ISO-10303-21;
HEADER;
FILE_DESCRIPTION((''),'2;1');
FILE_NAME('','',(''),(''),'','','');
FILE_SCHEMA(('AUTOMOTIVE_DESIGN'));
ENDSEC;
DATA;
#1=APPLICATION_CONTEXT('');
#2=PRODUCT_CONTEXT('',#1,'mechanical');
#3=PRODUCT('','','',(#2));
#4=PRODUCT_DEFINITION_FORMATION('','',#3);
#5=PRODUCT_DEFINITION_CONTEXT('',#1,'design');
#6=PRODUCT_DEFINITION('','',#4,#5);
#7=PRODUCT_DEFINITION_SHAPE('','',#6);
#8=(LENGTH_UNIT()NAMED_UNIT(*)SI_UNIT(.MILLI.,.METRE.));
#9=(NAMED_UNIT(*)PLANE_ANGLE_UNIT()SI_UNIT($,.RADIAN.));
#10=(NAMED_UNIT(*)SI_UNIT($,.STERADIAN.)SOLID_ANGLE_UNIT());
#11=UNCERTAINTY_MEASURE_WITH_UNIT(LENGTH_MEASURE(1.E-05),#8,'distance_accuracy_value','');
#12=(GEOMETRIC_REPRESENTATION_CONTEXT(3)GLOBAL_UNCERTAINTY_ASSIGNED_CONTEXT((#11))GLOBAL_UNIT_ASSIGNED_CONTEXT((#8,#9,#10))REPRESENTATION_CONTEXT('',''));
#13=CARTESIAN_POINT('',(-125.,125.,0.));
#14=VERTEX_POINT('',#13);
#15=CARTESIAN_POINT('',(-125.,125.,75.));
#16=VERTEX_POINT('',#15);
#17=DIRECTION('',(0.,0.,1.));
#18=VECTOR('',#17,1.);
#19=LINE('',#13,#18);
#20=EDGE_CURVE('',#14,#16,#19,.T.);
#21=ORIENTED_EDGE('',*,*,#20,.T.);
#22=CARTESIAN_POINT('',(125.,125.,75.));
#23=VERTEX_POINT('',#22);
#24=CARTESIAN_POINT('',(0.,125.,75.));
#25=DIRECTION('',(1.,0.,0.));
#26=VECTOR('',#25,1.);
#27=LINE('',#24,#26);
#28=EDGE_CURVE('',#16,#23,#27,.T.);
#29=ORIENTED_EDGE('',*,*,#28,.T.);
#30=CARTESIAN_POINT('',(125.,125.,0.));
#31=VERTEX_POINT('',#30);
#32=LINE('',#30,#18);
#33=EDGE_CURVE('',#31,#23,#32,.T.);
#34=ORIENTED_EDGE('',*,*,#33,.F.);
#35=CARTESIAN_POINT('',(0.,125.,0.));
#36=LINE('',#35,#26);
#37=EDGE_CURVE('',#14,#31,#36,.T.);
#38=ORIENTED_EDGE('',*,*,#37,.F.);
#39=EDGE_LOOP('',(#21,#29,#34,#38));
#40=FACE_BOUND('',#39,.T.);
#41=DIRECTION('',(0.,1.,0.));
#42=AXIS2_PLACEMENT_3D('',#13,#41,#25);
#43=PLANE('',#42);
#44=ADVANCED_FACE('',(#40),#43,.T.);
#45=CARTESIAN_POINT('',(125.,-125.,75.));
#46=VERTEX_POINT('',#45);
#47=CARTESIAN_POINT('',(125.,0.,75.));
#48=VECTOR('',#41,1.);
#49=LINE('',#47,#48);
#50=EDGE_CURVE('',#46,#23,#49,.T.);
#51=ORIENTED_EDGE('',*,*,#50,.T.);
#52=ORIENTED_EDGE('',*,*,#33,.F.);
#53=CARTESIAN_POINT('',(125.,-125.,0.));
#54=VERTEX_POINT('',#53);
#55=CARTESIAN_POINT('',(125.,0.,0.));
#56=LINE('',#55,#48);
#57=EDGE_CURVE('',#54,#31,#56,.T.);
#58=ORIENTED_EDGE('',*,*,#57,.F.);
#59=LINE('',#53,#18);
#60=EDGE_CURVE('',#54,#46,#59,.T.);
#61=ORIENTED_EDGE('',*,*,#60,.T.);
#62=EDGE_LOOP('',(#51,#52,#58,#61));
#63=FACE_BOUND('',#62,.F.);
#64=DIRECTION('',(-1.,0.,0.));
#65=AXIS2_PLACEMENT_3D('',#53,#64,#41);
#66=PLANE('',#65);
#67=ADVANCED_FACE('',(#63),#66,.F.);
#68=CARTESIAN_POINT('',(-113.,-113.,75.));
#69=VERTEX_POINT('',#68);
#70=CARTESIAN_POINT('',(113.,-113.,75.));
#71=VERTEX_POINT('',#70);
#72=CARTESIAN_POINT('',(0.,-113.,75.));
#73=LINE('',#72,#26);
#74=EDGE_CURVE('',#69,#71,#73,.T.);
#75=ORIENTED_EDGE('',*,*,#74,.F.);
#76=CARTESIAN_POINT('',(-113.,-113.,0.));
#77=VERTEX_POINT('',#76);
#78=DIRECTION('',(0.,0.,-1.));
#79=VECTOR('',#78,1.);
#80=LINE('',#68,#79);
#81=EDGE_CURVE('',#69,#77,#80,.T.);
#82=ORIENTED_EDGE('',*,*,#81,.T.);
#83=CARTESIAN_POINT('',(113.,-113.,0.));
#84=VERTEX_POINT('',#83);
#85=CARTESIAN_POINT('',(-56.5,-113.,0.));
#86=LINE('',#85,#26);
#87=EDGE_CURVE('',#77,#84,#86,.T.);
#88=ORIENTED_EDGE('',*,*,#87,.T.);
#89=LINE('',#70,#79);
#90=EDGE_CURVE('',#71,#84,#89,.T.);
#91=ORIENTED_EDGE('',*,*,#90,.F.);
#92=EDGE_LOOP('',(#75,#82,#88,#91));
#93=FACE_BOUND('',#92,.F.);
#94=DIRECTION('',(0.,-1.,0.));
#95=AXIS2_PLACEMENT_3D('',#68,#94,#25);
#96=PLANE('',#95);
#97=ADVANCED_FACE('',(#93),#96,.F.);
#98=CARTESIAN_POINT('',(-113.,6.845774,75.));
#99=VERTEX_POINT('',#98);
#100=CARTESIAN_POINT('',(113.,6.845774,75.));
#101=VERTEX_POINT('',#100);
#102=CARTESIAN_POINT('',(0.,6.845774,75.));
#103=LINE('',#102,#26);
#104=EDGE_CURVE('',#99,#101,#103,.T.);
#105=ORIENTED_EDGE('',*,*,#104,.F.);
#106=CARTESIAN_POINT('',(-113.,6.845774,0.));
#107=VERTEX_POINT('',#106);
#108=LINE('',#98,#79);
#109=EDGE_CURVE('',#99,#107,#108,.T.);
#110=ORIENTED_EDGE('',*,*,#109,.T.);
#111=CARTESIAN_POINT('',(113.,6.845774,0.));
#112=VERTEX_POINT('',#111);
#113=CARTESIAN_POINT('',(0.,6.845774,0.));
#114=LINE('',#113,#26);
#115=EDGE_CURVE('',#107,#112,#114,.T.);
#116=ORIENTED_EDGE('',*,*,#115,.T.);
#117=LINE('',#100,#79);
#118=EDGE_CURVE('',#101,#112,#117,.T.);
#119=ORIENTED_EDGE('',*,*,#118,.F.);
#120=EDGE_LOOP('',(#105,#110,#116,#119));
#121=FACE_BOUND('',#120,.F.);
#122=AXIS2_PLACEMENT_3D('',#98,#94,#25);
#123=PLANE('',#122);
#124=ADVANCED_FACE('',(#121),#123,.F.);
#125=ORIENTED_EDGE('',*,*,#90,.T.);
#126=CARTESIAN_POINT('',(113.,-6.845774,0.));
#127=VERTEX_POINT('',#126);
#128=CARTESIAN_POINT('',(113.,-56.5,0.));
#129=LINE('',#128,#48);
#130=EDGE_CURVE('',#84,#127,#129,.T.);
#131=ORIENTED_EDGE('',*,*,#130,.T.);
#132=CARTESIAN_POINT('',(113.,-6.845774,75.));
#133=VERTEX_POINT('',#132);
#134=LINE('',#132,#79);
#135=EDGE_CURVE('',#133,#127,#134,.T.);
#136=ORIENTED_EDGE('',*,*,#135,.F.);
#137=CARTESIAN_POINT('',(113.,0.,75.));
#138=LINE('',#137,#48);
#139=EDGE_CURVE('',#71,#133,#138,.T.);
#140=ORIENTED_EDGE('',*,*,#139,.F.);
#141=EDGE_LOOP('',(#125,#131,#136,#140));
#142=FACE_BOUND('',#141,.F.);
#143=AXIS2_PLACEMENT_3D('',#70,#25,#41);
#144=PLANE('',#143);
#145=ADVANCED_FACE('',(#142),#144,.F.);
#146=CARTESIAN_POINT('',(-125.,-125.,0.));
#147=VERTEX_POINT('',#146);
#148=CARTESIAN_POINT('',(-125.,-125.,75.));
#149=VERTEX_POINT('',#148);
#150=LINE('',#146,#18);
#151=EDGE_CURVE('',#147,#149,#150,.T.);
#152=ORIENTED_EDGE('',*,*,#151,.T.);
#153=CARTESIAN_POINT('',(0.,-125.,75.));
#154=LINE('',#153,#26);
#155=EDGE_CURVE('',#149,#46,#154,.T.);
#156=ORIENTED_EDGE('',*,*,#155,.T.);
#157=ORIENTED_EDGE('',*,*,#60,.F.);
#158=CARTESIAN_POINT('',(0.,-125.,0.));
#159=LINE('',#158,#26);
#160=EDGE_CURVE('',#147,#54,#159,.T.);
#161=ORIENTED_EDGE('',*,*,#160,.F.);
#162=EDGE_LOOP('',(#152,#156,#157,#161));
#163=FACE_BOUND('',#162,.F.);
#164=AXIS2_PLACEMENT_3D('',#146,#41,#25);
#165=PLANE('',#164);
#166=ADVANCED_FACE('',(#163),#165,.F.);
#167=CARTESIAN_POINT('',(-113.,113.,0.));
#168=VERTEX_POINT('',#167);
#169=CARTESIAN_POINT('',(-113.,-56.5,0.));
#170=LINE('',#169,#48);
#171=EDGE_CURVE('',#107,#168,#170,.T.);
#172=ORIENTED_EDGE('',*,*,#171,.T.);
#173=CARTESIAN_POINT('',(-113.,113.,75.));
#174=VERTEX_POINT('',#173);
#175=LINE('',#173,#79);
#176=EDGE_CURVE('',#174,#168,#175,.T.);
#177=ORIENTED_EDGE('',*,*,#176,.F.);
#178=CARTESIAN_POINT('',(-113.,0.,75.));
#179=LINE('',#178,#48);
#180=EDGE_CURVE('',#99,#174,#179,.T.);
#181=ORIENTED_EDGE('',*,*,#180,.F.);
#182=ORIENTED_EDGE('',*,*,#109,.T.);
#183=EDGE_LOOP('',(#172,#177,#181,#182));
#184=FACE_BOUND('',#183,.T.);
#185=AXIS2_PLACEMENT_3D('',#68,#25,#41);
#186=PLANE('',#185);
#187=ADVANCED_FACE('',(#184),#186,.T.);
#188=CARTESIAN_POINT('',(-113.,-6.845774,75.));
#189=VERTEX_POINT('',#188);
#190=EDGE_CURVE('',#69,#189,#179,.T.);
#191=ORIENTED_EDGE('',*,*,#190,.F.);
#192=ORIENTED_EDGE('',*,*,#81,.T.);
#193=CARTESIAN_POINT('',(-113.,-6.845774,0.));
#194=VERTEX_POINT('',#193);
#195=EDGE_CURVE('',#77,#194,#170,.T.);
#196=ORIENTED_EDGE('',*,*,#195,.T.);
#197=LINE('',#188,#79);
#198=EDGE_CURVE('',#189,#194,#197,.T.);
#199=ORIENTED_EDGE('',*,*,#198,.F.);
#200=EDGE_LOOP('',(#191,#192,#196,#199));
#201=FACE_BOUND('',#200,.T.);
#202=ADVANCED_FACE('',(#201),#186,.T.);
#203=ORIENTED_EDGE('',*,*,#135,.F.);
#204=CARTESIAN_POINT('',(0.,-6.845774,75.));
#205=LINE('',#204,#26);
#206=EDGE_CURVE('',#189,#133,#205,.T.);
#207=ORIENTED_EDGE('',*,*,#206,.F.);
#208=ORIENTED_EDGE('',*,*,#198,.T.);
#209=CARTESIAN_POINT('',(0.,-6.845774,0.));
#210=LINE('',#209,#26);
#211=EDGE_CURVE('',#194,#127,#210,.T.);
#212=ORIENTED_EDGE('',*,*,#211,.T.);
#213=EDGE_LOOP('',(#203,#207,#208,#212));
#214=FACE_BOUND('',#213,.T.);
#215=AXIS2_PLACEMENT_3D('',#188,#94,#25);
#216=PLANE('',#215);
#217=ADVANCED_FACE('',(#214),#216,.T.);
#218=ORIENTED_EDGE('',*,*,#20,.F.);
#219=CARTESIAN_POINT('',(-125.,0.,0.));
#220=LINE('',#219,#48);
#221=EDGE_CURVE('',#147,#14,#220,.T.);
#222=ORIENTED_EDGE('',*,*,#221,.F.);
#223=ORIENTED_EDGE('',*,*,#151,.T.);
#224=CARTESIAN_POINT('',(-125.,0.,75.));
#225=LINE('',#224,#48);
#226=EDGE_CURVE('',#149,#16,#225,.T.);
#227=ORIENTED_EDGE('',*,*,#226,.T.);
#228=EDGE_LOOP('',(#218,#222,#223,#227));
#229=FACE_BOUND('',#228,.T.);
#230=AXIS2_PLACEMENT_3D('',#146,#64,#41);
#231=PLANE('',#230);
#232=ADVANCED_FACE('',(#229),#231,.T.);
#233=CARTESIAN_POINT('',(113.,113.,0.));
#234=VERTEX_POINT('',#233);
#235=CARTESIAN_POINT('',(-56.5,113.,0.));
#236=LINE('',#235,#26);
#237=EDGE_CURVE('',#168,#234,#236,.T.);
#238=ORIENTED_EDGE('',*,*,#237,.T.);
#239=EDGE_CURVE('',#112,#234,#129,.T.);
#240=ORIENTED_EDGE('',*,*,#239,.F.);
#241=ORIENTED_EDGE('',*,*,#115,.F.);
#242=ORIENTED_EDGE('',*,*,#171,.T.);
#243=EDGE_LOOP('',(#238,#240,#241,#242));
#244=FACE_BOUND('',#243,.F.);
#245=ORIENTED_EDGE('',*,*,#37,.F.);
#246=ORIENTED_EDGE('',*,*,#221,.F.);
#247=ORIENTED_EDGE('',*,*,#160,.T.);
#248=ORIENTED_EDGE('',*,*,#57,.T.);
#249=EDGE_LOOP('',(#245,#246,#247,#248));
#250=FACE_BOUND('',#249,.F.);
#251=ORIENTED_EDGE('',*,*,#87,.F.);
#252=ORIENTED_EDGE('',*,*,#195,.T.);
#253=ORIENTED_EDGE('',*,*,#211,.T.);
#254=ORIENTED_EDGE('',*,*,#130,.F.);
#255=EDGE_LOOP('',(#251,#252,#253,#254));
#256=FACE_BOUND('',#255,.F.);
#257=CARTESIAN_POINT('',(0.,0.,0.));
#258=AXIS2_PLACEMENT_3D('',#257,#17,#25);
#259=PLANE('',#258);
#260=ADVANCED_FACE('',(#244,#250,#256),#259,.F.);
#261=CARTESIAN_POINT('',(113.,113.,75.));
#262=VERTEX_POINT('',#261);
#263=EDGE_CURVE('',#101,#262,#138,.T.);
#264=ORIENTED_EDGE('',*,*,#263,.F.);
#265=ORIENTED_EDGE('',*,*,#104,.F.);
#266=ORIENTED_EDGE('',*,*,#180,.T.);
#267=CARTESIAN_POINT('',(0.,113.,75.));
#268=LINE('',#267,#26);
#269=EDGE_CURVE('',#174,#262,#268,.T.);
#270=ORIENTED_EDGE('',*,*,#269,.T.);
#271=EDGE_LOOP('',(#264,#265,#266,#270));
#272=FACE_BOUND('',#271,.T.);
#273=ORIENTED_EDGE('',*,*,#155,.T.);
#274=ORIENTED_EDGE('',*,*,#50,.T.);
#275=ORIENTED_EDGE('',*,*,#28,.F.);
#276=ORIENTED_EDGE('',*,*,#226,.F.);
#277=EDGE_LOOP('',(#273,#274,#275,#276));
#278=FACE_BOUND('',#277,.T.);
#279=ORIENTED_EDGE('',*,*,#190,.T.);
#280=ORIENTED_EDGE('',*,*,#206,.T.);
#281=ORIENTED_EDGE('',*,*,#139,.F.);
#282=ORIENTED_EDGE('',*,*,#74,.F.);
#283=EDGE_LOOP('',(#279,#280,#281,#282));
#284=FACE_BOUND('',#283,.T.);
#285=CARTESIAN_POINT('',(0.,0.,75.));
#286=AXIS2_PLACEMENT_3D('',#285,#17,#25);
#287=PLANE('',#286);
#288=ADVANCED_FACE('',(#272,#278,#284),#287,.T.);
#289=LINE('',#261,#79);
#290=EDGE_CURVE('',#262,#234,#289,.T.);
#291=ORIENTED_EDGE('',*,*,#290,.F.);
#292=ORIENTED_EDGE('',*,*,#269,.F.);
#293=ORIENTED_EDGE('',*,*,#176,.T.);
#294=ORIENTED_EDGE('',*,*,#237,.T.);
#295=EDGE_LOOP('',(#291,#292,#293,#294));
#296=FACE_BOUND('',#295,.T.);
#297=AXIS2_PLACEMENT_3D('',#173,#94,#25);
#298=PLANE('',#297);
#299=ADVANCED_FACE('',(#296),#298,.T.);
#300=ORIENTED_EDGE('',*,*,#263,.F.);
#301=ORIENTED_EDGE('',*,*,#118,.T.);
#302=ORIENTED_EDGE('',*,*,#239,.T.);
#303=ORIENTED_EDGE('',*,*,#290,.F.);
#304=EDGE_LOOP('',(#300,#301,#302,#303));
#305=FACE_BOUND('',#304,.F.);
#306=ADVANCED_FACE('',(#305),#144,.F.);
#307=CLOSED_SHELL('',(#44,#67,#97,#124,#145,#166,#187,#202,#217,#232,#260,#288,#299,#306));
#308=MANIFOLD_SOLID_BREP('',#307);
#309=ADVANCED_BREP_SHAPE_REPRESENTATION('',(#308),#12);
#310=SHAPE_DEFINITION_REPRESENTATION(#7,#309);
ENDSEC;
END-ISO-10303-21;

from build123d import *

# Parameters (mm, degrees)
F0_W     = 250
F0_H     = 250
F1_DEPTH = 75
F2_W     = 226
F2_H     = 226
F3_DEPTH = 101.6
F4_W     = 226
F4_H     = 13.691548
F5_DEPTH = 75


with BuildPart() as f1:
    # F0 (on Top) → F1 (new body)
    with BuildSketch(Plane.XY):
        Rectangle(F0_W, F0_H)
    extrude(amount=F1_DEPTH)

    # F2 (on face) → F3 (cut)
    with BuildSketch(Plane.XY.offset(75)):
        Rectangle(F2_W, F2_H)
    extrude(amount=-F3_DEPTH, mode=Mode.SUBTRACT)

    # F4 (on face) → F5 (join)
    with BuildSketch(Plane.XY.offset(75)):
        Rectangle(F4_W, F4_H)
    extrude(amount=-F5_DEPTH)


solid = f1.part
